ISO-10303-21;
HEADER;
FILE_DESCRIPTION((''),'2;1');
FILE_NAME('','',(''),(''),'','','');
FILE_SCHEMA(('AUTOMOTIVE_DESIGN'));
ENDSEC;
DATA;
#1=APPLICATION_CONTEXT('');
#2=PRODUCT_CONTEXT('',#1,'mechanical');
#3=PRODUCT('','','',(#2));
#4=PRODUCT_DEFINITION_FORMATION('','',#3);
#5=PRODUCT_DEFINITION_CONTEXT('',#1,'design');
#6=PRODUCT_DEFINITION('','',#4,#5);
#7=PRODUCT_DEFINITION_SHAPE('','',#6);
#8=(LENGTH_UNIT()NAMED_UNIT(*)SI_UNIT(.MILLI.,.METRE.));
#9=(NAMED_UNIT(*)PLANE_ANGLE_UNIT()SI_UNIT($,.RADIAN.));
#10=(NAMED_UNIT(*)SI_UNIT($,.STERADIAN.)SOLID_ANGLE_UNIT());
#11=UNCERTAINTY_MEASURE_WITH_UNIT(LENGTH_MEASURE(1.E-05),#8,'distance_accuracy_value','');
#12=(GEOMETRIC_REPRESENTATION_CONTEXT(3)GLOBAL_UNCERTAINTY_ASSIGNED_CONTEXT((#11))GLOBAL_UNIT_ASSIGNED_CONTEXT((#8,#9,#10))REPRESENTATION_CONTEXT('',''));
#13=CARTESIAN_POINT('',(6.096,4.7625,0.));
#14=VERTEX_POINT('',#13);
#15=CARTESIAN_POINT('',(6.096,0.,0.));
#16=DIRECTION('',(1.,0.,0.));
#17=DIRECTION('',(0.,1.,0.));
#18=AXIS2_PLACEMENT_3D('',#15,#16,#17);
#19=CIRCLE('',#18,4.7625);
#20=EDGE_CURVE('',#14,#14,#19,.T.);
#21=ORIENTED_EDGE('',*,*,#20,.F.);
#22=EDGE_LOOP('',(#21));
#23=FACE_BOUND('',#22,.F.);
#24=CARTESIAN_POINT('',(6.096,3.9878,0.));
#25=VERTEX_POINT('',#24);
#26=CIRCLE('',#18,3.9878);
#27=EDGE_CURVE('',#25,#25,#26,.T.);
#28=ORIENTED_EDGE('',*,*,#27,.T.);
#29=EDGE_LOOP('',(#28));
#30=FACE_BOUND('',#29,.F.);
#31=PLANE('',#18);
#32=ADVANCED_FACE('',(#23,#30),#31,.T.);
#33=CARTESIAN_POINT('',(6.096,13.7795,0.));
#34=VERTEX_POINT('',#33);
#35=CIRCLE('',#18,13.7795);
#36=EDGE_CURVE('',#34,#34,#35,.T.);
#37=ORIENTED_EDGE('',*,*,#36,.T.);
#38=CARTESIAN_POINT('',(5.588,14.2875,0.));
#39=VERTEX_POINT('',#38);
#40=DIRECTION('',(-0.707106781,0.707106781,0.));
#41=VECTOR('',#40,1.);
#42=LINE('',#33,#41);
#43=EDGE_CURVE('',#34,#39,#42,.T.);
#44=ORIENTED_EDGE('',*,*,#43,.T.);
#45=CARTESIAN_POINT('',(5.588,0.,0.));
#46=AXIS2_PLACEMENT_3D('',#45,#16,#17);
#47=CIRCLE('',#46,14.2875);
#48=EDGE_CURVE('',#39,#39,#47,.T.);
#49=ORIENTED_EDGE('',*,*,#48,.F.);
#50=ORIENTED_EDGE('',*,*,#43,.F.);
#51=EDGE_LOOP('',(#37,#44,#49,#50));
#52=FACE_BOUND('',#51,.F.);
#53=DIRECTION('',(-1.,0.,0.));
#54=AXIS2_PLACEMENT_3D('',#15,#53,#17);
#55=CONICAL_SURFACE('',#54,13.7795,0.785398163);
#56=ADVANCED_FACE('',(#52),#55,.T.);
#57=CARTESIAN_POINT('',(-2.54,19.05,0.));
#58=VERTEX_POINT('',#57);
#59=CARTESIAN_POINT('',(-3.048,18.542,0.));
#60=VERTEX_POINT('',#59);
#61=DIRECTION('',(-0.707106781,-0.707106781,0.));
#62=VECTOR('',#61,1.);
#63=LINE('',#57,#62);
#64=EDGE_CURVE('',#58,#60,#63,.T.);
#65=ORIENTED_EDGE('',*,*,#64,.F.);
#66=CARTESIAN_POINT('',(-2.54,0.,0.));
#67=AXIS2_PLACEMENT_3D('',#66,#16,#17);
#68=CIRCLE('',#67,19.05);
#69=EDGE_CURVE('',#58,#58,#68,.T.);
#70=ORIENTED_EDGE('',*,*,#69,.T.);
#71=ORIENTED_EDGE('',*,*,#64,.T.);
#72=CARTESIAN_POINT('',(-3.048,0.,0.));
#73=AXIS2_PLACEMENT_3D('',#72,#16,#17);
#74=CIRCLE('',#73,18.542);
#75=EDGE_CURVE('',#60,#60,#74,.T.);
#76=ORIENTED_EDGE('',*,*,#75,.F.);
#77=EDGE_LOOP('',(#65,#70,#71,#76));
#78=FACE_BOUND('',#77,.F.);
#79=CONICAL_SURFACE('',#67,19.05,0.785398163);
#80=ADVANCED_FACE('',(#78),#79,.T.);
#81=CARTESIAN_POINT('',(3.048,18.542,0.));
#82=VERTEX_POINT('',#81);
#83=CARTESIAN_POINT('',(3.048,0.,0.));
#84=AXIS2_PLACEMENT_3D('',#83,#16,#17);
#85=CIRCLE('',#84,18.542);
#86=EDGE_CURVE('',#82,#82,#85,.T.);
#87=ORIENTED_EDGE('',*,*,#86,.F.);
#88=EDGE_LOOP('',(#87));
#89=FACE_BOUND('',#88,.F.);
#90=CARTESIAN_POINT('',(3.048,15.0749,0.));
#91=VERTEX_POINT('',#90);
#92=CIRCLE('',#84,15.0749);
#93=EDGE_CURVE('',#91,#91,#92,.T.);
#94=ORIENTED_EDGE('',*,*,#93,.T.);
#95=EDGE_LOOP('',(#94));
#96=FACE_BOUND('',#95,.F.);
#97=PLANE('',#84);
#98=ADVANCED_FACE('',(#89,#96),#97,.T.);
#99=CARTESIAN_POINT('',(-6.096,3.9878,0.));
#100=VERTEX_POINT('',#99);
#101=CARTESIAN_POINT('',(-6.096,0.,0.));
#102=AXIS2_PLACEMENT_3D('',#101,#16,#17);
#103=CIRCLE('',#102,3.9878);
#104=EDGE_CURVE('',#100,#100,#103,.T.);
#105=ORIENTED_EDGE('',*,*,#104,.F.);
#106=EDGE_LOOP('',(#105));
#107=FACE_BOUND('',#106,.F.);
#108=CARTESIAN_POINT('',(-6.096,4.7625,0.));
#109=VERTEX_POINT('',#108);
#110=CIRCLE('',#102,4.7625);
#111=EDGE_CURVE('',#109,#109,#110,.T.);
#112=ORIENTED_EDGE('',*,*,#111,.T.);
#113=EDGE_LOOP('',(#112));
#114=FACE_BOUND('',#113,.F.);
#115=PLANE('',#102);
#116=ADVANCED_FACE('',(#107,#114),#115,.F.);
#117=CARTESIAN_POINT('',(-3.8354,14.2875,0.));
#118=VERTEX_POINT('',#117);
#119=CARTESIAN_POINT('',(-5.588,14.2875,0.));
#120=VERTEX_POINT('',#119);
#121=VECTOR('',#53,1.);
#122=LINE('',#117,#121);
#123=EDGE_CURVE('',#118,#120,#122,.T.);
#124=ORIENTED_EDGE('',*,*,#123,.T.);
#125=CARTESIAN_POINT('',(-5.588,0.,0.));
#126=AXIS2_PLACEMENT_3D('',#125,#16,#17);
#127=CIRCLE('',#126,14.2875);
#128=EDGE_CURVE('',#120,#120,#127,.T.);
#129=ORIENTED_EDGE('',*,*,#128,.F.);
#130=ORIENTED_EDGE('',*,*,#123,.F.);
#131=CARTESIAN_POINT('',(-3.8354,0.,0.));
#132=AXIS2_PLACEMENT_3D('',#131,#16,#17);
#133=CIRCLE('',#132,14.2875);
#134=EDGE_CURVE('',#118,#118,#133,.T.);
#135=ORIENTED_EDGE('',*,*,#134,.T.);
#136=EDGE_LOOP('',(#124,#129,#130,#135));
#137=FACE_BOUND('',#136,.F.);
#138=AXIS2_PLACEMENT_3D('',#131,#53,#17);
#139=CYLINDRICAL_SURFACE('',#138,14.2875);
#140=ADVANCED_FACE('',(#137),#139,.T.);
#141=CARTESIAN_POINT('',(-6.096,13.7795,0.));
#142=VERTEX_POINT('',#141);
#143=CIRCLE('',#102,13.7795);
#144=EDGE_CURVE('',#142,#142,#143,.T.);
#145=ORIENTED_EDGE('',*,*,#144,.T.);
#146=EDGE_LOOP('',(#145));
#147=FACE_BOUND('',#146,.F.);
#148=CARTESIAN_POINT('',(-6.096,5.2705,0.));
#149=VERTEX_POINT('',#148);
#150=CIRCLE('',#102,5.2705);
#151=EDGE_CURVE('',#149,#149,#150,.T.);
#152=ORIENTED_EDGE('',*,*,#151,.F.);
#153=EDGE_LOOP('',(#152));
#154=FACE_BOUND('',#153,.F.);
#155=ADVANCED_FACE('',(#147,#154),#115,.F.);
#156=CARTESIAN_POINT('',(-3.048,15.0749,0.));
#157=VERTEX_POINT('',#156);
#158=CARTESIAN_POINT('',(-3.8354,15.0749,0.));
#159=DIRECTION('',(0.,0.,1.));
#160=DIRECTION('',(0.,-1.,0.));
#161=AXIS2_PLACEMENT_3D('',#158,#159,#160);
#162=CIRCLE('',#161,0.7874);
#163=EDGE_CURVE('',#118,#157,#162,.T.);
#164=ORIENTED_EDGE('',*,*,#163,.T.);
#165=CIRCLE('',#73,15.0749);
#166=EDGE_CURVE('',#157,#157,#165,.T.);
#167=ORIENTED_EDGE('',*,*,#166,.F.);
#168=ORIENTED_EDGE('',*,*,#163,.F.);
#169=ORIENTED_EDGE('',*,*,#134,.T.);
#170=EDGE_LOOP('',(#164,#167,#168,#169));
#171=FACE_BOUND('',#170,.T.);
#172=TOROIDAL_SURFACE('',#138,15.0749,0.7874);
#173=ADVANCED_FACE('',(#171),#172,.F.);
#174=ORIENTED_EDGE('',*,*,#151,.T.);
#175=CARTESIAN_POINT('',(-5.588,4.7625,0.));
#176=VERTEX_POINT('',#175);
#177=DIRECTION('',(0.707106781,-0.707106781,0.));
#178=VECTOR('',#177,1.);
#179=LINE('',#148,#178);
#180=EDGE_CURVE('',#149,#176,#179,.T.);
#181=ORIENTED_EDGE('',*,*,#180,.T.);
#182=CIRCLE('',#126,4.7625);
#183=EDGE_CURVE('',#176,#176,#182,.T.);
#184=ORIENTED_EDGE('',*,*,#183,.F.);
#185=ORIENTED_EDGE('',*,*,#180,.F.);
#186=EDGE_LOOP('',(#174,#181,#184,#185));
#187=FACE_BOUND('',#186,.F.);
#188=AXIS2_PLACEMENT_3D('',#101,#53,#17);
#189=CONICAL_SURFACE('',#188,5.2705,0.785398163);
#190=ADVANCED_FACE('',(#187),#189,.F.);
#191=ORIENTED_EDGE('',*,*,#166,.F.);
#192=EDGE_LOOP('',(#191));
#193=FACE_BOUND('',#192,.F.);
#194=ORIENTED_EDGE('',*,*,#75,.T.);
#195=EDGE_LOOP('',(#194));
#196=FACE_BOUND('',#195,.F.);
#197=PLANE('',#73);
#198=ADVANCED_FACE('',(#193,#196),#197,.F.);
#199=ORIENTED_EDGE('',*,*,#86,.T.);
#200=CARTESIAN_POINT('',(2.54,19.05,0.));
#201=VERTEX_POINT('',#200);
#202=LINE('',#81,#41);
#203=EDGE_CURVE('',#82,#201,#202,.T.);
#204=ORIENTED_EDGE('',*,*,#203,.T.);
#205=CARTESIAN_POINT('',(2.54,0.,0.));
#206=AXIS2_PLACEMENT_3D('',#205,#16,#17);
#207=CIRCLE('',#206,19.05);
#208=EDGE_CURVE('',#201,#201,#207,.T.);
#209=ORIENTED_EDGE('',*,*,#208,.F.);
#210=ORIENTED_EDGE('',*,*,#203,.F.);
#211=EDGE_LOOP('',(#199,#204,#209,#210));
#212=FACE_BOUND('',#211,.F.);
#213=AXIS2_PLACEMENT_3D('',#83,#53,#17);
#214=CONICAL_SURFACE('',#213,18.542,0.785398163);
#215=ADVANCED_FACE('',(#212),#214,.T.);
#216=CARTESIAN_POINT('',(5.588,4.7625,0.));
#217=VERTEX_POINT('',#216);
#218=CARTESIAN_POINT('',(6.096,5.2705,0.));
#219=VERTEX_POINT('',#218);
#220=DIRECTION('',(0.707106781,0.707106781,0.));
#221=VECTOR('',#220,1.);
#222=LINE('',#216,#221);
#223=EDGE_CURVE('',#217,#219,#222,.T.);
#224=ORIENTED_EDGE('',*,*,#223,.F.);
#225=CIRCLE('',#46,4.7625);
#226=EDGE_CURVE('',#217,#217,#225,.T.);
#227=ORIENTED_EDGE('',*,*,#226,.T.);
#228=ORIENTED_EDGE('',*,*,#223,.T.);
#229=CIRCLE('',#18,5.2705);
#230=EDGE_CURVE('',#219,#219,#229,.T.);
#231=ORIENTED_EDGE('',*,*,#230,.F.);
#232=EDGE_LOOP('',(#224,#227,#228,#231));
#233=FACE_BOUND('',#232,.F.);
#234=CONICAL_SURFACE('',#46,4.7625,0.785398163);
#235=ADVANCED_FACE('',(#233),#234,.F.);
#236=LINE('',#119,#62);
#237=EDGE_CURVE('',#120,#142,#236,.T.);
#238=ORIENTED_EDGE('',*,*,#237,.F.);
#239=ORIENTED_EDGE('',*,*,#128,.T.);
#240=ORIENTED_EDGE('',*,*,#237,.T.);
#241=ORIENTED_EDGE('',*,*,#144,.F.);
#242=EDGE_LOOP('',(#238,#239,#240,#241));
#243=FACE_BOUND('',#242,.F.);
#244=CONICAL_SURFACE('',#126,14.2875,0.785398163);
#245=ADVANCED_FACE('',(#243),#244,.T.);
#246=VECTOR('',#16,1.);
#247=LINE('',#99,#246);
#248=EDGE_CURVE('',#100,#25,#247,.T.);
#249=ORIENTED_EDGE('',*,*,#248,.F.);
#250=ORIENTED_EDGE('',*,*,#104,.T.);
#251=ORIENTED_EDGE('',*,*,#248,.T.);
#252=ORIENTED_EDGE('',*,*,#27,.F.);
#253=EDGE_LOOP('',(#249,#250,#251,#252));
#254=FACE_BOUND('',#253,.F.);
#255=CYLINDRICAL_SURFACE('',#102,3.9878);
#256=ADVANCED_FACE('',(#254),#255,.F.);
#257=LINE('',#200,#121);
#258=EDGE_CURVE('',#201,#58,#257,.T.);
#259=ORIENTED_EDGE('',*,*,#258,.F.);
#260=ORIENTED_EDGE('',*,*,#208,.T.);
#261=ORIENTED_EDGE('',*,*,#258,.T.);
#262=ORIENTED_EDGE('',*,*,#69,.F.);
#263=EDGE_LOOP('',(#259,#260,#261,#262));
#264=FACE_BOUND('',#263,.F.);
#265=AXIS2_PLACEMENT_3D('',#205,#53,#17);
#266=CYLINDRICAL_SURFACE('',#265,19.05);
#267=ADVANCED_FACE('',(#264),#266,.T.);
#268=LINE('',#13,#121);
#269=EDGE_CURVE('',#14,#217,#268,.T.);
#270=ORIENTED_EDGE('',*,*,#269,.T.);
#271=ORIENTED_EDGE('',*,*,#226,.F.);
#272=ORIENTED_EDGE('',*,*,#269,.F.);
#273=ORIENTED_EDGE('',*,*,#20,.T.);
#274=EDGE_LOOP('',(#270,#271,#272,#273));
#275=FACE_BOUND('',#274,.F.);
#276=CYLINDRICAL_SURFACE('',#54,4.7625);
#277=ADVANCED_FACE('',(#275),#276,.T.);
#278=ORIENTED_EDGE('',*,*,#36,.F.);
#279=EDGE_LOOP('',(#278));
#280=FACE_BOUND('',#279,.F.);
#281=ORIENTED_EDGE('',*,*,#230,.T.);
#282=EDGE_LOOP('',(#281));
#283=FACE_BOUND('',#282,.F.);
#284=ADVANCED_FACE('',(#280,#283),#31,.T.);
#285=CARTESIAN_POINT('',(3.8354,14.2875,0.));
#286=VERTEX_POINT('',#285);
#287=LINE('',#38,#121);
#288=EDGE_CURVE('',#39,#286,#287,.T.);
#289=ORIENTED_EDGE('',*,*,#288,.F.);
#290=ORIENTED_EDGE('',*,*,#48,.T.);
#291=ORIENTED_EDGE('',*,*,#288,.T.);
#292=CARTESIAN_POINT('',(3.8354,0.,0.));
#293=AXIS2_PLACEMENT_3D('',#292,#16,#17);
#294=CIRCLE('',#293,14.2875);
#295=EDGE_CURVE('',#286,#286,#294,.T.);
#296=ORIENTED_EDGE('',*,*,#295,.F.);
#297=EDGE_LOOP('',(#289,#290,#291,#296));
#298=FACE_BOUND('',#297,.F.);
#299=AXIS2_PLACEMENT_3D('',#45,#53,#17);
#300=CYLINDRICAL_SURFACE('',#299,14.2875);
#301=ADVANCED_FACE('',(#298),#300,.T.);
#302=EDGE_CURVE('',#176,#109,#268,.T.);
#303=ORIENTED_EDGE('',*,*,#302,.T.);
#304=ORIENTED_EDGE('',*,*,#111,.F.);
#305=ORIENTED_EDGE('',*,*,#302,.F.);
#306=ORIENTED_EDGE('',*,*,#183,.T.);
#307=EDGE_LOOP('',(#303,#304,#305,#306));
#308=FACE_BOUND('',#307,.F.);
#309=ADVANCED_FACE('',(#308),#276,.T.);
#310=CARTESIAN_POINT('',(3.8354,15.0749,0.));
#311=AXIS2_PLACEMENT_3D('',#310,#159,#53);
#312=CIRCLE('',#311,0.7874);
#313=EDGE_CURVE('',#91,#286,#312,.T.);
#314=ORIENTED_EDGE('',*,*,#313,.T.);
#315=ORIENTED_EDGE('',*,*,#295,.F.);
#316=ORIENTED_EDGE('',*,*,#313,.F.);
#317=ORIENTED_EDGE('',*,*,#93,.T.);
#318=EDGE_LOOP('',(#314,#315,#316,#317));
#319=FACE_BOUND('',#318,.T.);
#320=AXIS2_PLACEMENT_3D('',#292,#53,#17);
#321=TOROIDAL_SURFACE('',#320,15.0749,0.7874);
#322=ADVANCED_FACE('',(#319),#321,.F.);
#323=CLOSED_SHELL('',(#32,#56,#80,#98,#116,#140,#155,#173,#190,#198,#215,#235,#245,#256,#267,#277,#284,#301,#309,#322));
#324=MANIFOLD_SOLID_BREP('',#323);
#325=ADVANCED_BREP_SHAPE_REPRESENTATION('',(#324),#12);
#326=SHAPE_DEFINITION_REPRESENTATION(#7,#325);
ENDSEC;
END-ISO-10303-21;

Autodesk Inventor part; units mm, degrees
sketch "Sketch_1" plane through (0, 0, 0) normal (0, 0, 1) x (1, 0, 0)
  line L0 (6.096, 0) -> (-6.096, 0)
  line L1 (-6.096, 5.2705) -> (-5.588, 4.7625)
  line L2 (-5.588, 4.7625) -> (5.588, 4.7625)
  line L3 (5.588, 4.7625) -> (6.096, 5.2705)
  line L4 (6.096, 5.2705) -> (6.096, 13.7795)
  line L5 (6.096, 13.7795) -> (5.588, 14.2875)
  line L6 (5.588, 14.2875) -> (3.8354, 14.2875)
  arc A0 (3.048, 15.0749) -> (3.8354, 14.2875) centre (3.8354, 15.0749) ccw
  line L7 (3.048, 15.0749) -> (3.048, 18.542)
  line L8 (3.048, 18.542) -> (2.54, 19.05)
  line L9 (2.54, 19.05) -> (-2.54, 19.05)
  line L10 (-2.54, 19.05) -> (-3.048, 18.542)
  line L11 (-3.048, 18.542) -> (-3.048, 15.0749)
  arc A1 (-3.8354, 14.2875) -> (-3.048, 15.0749) centre (-3.8354, 15.0749) ccw
  line L12 (-3.8354, 14.2875) -> (-5.588, 14.2875)
  line L13 (-5.588, 14.2875) -> (-6.096, 13.7795)
  line L14 (-6.096, 13.7795) -> (-6.096, 5.2705)
revolve "Revolution1" add sketch "Sketch_1" angle 360 about axis through (6.096, 0, 0) along (1, 0, 0)
sketch "Sketch_2" plane through (0, 0, 0) normal (0, 0, 1) x (1, 0, 0)
  line L0 (6.096, 0) -> (-6.096, 0)
  line L1 (-6.096, 4.7625) -> (-6.096, 3.9878)
  line L2 (-6.096, 3.9878) -> (6.096, 3.9878)
  line L3 (6.096, 3.9878) -> (6.096, 4.7625)
  line L4 (6.096, 4.7625) -> (-6.096, 4.7625)
revolve "Revolution2" add sketch "Sketch_2" angle 360 about axis through (6.096, 0, 0) along (1, 0, 0)
ref_plane "to_bolt_XY" through (6.096, 0, 0) normal (1, 0, 0) x (0, 0, -1)
ref_plane "to_bolt_YZ" through (6.096, 0, 0) normal (0, 0, -1) x (0, 1, 0)
ref_plane "to_bolt_ZX" through (6.096, 0, 0) normal (0, 1, 0) x (1, 0, 0)
ref_plane "wheel_XY" through (0, 0, 0) normal (1, 0, 0) x (0, 0, -1)
ref_plane "wheel_YZ" through (0, 0, 0) normal (0, 0, -1) x (0, 1, 0)
ref_plane "wheel_ZX" through (0, 0, 0) normal (0, 1, 0) x (1, 0, 0)
properties part number "2281_w"
